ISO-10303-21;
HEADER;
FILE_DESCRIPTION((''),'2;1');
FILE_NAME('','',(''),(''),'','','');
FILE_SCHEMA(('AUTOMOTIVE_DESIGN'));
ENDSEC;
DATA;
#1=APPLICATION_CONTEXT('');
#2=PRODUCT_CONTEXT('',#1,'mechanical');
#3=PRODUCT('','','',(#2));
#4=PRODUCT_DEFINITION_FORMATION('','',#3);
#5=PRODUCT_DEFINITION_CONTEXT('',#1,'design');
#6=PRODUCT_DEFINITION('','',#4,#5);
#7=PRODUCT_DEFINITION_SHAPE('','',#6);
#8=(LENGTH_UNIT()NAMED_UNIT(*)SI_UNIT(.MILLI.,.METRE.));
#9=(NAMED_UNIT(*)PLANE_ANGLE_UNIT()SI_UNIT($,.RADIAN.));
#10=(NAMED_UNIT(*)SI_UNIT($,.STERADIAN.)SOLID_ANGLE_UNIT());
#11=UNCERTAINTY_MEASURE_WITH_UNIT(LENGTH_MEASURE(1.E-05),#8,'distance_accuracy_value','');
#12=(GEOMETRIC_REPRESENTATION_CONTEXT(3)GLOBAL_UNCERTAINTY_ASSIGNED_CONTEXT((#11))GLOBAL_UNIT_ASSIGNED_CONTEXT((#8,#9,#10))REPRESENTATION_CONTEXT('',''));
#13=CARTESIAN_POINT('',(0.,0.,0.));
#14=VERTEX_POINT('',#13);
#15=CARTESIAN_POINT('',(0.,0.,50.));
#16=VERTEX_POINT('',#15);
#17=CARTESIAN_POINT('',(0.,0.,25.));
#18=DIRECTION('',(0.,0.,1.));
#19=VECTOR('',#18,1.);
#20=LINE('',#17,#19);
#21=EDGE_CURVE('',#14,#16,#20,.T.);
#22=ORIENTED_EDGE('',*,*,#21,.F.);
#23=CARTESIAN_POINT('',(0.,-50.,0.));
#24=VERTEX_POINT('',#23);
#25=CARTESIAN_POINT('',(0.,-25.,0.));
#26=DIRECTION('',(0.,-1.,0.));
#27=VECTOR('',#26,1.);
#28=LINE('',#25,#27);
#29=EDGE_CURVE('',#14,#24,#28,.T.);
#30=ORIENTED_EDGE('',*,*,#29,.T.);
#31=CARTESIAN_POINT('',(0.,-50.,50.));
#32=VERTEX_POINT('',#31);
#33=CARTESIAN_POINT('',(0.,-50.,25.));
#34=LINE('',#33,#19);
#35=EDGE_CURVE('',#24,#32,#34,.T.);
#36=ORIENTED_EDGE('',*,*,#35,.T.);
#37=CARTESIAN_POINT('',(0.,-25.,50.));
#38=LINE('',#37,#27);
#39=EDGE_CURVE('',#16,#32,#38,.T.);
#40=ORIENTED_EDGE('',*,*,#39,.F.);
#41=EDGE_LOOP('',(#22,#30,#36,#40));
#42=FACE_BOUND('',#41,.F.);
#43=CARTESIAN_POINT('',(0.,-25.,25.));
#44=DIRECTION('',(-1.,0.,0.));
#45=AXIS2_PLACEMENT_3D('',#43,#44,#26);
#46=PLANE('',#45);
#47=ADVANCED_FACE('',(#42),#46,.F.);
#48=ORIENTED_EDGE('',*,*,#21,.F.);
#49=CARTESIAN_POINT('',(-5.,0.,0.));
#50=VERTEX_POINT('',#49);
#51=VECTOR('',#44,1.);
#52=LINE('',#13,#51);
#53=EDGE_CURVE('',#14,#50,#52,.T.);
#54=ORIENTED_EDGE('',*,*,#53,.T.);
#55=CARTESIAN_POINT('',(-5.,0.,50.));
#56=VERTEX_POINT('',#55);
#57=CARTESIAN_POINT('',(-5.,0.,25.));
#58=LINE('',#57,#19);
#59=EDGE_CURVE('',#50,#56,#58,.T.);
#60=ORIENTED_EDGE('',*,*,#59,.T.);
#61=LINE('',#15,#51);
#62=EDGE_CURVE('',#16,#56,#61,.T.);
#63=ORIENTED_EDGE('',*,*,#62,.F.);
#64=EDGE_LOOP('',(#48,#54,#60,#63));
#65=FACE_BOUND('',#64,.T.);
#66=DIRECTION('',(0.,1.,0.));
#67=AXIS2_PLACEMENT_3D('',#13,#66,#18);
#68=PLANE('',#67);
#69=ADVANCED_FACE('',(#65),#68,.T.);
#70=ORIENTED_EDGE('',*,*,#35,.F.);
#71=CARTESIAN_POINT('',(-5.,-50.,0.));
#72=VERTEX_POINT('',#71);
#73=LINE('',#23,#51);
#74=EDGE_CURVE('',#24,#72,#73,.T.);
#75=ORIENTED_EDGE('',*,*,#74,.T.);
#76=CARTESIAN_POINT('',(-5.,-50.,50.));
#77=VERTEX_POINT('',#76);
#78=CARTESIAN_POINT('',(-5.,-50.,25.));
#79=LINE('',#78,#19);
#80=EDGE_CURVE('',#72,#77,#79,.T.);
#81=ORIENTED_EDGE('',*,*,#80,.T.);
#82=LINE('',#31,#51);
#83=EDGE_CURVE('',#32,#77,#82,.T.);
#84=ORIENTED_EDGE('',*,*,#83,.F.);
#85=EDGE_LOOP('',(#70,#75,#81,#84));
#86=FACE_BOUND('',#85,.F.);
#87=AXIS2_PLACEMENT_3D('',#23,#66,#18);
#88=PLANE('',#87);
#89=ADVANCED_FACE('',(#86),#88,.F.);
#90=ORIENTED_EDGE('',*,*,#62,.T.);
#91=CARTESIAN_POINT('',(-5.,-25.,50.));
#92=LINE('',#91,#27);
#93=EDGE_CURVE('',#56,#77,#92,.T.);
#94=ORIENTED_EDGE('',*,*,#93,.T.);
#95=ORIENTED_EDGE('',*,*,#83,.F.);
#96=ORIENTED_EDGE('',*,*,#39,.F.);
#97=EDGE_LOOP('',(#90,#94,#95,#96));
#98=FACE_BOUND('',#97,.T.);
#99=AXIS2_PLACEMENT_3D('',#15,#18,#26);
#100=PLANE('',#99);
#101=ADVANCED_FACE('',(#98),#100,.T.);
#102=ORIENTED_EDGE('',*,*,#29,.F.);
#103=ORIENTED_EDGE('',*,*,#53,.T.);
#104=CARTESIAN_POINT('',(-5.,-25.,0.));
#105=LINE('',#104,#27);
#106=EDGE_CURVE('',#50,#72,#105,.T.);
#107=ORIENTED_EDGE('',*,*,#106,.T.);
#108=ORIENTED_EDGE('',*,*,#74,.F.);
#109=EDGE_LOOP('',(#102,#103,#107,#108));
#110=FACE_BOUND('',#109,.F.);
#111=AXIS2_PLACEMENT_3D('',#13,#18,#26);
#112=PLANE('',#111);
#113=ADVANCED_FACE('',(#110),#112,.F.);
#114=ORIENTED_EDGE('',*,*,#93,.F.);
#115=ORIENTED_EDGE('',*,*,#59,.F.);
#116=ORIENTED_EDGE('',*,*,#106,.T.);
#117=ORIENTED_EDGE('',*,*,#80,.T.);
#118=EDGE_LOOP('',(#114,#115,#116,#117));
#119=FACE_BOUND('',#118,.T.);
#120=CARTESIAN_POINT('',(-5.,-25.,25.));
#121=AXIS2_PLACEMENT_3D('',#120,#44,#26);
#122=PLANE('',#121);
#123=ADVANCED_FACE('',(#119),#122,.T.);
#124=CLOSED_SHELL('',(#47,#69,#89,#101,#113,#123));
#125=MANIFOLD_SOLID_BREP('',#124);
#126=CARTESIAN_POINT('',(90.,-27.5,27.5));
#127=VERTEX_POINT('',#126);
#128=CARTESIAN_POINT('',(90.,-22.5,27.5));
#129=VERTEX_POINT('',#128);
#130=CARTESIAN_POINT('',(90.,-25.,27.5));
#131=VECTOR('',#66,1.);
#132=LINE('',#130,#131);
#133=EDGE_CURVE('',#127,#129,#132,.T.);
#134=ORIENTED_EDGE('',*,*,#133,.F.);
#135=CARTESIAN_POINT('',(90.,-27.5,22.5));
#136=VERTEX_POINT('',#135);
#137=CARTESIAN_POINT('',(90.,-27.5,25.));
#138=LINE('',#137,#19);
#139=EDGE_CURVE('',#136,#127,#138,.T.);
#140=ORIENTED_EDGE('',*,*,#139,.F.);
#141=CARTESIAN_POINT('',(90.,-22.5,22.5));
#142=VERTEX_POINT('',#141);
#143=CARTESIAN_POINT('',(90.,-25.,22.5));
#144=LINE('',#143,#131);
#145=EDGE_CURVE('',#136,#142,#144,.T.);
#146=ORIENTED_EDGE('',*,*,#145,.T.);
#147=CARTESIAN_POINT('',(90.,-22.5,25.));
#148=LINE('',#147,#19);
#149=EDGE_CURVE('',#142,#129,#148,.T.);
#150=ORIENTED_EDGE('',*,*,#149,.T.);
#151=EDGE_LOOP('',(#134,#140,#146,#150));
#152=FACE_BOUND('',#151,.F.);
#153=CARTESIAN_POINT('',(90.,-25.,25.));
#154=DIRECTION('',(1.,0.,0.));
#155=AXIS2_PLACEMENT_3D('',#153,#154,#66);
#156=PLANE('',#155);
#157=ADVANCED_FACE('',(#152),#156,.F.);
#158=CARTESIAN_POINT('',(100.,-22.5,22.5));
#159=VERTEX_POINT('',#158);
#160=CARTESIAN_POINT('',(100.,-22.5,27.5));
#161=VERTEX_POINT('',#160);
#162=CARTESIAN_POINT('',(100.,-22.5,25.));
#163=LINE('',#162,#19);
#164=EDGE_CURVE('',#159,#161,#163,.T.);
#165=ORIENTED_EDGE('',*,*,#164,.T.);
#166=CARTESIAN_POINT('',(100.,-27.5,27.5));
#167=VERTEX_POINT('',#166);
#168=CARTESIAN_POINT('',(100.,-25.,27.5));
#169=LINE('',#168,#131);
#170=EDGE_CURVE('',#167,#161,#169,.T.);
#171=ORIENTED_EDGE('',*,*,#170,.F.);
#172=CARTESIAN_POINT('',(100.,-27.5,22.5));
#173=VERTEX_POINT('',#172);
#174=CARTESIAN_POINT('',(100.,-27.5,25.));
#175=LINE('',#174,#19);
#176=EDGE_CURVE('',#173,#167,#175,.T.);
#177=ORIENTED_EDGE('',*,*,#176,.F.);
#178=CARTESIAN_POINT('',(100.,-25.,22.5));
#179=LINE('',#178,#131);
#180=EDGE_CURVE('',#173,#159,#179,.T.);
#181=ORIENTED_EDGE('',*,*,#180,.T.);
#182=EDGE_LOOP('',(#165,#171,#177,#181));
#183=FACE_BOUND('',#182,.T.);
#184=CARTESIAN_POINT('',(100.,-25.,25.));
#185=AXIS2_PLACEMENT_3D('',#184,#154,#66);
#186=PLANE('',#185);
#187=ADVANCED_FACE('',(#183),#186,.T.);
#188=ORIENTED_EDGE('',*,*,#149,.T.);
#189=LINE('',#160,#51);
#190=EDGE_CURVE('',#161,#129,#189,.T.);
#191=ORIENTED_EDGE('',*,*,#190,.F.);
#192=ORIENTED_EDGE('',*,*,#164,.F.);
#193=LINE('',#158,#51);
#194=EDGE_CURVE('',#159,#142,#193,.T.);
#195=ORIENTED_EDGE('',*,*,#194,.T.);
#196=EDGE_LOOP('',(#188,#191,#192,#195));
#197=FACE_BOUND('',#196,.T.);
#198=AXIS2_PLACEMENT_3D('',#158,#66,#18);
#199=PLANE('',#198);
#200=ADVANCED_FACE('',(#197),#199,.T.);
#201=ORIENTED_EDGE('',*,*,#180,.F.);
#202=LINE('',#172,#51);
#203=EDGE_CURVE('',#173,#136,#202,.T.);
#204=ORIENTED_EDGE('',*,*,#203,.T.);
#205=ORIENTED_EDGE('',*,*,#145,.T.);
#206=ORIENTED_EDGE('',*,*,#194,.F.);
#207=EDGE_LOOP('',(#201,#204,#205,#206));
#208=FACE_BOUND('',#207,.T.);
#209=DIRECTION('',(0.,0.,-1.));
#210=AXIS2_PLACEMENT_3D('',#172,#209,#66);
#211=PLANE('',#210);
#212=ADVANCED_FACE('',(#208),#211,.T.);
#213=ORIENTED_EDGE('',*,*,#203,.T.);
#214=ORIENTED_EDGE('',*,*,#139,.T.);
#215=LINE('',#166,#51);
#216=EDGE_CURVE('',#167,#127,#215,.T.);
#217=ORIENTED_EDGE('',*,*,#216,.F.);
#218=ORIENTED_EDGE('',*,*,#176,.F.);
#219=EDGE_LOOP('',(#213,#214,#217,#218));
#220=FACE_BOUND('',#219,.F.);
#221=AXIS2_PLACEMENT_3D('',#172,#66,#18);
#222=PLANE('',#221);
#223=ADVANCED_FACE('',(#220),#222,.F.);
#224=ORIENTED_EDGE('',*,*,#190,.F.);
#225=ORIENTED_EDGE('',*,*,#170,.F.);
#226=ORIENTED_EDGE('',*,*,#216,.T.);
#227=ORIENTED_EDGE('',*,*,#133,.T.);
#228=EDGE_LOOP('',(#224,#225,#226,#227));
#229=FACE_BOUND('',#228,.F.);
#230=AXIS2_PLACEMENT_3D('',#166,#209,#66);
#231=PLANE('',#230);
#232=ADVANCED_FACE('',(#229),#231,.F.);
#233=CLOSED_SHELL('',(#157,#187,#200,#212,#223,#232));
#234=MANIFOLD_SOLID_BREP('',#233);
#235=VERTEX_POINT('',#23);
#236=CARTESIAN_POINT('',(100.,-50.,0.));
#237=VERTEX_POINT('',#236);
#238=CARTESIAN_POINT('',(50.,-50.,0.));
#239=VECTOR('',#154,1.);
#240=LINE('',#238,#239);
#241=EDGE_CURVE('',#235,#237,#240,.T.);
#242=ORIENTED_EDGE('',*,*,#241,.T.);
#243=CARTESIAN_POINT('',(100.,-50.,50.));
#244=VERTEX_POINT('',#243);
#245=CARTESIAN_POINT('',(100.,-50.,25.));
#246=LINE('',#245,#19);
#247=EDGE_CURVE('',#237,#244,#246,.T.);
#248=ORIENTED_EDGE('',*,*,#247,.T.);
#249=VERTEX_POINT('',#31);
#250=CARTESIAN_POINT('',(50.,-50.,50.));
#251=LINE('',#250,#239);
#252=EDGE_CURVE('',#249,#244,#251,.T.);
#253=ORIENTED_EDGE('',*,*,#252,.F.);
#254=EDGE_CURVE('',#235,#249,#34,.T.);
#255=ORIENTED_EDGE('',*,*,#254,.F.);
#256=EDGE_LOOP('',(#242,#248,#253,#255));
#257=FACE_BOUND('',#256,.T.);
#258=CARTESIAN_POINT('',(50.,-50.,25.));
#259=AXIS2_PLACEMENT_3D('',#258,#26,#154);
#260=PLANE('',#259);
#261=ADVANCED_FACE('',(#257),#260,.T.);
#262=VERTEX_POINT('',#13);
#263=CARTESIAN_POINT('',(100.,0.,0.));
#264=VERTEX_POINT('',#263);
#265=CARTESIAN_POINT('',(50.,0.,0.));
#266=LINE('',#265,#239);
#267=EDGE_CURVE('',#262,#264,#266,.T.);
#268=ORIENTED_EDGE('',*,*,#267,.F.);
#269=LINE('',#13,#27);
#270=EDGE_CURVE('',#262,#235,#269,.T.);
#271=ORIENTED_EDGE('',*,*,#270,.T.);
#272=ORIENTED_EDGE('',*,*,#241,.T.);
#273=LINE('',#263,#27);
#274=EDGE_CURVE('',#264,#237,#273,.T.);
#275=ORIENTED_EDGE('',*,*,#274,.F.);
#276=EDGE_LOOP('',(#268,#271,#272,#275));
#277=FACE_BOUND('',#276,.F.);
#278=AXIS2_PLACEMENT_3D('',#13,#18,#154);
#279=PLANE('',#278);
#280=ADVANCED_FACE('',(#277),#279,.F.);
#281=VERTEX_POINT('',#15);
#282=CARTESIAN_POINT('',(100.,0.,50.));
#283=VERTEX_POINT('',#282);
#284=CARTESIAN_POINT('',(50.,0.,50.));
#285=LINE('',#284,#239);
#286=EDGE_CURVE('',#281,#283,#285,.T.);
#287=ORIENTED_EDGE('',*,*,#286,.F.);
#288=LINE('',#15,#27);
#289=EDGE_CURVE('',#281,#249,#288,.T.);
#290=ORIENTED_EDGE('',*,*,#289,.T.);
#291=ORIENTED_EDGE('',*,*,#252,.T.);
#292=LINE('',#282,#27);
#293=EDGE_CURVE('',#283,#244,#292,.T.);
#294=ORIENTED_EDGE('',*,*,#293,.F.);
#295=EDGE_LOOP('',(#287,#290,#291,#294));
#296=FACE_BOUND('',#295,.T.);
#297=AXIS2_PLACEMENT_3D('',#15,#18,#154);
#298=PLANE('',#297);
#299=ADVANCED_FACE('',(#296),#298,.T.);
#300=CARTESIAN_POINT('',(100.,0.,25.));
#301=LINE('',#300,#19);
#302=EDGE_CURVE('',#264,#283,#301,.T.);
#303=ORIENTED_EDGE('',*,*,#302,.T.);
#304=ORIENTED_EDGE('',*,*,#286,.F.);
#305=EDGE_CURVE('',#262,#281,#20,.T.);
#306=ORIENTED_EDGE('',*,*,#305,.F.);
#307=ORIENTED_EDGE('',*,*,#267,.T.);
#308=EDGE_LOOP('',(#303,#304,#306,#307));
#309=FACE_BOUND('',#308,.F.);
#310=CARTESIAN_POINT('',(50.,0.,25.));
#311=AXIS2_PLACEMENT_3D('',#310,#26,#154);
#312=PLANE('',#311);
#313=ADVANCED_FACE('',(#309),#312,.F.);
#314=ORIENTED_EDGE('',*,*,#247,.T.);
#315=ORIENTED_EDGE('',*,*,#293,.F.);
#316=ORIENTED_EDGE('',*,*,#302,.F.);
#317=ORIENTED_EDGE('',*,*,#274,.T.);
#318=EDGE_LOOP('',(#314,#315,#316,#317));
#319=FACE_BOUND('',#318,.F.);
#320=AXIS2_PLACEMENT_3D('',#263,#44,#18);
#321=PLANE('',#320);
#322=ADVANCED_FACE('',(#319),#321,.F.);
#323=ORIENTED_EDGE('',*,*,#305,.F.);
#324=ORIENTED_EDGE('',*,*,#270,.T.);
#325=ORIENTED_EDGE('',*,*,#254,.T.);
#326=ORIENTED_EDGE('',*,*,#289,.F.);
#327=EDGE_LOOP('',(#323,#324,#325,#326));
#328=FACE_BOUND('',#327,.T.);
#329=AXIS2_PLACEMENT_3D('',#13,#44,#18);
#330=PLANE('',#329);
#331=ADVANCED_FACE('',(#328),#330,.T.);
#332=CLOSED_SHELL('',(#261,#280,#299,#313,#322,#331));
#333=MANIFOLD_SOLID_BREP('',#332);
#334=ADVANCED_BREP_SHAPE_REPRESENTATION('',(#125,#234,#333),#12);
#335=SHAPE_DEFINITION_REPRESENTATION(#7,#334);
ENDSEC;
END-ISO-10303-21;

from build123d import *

# Parameters (mm, degrees)
F0_W      = 100
F0_H      = 50
F1_DEPTH  = 50
F1_FACE_W = 50
F1_FACE_H = 50
F3_DEPTH  = 5
F4_W      = 5
F4_H      = 5
F5_DEPTH  = 10


with BuildPart() as f1:
    # F0 (on Front) → F1 (new body)
    with BuildSketch(Plane.XZ):
        with Locations((50, 25)):
            Rectangle(F0_W, F0_H)
    extrude(amount=F1_DEPTH)


with BuildPart() as f3:
    # F1_face (on face) → F3 (new body)
    with BuildSketch(Plane(origin=(0, -25, 25), x_dir=(0, -1, 0), z_dir=(-1, 0, 0))):
        Rectangle(F1_FACE_W, F1_FACE_H)
    extrude(amount=F3_DEPTH)


with BuildPart() as f5:
    # F4 (on face) → F5 (new body)
    with BuildSketch(Plane.YZ.offset(100)):
        with Locations((-25, 25)):
            Rectangle(F4_W, F4_H)
    extrude(amount=-F5_DEPTH)


solid = Compound([f1.part, f3.part, f5.part])
